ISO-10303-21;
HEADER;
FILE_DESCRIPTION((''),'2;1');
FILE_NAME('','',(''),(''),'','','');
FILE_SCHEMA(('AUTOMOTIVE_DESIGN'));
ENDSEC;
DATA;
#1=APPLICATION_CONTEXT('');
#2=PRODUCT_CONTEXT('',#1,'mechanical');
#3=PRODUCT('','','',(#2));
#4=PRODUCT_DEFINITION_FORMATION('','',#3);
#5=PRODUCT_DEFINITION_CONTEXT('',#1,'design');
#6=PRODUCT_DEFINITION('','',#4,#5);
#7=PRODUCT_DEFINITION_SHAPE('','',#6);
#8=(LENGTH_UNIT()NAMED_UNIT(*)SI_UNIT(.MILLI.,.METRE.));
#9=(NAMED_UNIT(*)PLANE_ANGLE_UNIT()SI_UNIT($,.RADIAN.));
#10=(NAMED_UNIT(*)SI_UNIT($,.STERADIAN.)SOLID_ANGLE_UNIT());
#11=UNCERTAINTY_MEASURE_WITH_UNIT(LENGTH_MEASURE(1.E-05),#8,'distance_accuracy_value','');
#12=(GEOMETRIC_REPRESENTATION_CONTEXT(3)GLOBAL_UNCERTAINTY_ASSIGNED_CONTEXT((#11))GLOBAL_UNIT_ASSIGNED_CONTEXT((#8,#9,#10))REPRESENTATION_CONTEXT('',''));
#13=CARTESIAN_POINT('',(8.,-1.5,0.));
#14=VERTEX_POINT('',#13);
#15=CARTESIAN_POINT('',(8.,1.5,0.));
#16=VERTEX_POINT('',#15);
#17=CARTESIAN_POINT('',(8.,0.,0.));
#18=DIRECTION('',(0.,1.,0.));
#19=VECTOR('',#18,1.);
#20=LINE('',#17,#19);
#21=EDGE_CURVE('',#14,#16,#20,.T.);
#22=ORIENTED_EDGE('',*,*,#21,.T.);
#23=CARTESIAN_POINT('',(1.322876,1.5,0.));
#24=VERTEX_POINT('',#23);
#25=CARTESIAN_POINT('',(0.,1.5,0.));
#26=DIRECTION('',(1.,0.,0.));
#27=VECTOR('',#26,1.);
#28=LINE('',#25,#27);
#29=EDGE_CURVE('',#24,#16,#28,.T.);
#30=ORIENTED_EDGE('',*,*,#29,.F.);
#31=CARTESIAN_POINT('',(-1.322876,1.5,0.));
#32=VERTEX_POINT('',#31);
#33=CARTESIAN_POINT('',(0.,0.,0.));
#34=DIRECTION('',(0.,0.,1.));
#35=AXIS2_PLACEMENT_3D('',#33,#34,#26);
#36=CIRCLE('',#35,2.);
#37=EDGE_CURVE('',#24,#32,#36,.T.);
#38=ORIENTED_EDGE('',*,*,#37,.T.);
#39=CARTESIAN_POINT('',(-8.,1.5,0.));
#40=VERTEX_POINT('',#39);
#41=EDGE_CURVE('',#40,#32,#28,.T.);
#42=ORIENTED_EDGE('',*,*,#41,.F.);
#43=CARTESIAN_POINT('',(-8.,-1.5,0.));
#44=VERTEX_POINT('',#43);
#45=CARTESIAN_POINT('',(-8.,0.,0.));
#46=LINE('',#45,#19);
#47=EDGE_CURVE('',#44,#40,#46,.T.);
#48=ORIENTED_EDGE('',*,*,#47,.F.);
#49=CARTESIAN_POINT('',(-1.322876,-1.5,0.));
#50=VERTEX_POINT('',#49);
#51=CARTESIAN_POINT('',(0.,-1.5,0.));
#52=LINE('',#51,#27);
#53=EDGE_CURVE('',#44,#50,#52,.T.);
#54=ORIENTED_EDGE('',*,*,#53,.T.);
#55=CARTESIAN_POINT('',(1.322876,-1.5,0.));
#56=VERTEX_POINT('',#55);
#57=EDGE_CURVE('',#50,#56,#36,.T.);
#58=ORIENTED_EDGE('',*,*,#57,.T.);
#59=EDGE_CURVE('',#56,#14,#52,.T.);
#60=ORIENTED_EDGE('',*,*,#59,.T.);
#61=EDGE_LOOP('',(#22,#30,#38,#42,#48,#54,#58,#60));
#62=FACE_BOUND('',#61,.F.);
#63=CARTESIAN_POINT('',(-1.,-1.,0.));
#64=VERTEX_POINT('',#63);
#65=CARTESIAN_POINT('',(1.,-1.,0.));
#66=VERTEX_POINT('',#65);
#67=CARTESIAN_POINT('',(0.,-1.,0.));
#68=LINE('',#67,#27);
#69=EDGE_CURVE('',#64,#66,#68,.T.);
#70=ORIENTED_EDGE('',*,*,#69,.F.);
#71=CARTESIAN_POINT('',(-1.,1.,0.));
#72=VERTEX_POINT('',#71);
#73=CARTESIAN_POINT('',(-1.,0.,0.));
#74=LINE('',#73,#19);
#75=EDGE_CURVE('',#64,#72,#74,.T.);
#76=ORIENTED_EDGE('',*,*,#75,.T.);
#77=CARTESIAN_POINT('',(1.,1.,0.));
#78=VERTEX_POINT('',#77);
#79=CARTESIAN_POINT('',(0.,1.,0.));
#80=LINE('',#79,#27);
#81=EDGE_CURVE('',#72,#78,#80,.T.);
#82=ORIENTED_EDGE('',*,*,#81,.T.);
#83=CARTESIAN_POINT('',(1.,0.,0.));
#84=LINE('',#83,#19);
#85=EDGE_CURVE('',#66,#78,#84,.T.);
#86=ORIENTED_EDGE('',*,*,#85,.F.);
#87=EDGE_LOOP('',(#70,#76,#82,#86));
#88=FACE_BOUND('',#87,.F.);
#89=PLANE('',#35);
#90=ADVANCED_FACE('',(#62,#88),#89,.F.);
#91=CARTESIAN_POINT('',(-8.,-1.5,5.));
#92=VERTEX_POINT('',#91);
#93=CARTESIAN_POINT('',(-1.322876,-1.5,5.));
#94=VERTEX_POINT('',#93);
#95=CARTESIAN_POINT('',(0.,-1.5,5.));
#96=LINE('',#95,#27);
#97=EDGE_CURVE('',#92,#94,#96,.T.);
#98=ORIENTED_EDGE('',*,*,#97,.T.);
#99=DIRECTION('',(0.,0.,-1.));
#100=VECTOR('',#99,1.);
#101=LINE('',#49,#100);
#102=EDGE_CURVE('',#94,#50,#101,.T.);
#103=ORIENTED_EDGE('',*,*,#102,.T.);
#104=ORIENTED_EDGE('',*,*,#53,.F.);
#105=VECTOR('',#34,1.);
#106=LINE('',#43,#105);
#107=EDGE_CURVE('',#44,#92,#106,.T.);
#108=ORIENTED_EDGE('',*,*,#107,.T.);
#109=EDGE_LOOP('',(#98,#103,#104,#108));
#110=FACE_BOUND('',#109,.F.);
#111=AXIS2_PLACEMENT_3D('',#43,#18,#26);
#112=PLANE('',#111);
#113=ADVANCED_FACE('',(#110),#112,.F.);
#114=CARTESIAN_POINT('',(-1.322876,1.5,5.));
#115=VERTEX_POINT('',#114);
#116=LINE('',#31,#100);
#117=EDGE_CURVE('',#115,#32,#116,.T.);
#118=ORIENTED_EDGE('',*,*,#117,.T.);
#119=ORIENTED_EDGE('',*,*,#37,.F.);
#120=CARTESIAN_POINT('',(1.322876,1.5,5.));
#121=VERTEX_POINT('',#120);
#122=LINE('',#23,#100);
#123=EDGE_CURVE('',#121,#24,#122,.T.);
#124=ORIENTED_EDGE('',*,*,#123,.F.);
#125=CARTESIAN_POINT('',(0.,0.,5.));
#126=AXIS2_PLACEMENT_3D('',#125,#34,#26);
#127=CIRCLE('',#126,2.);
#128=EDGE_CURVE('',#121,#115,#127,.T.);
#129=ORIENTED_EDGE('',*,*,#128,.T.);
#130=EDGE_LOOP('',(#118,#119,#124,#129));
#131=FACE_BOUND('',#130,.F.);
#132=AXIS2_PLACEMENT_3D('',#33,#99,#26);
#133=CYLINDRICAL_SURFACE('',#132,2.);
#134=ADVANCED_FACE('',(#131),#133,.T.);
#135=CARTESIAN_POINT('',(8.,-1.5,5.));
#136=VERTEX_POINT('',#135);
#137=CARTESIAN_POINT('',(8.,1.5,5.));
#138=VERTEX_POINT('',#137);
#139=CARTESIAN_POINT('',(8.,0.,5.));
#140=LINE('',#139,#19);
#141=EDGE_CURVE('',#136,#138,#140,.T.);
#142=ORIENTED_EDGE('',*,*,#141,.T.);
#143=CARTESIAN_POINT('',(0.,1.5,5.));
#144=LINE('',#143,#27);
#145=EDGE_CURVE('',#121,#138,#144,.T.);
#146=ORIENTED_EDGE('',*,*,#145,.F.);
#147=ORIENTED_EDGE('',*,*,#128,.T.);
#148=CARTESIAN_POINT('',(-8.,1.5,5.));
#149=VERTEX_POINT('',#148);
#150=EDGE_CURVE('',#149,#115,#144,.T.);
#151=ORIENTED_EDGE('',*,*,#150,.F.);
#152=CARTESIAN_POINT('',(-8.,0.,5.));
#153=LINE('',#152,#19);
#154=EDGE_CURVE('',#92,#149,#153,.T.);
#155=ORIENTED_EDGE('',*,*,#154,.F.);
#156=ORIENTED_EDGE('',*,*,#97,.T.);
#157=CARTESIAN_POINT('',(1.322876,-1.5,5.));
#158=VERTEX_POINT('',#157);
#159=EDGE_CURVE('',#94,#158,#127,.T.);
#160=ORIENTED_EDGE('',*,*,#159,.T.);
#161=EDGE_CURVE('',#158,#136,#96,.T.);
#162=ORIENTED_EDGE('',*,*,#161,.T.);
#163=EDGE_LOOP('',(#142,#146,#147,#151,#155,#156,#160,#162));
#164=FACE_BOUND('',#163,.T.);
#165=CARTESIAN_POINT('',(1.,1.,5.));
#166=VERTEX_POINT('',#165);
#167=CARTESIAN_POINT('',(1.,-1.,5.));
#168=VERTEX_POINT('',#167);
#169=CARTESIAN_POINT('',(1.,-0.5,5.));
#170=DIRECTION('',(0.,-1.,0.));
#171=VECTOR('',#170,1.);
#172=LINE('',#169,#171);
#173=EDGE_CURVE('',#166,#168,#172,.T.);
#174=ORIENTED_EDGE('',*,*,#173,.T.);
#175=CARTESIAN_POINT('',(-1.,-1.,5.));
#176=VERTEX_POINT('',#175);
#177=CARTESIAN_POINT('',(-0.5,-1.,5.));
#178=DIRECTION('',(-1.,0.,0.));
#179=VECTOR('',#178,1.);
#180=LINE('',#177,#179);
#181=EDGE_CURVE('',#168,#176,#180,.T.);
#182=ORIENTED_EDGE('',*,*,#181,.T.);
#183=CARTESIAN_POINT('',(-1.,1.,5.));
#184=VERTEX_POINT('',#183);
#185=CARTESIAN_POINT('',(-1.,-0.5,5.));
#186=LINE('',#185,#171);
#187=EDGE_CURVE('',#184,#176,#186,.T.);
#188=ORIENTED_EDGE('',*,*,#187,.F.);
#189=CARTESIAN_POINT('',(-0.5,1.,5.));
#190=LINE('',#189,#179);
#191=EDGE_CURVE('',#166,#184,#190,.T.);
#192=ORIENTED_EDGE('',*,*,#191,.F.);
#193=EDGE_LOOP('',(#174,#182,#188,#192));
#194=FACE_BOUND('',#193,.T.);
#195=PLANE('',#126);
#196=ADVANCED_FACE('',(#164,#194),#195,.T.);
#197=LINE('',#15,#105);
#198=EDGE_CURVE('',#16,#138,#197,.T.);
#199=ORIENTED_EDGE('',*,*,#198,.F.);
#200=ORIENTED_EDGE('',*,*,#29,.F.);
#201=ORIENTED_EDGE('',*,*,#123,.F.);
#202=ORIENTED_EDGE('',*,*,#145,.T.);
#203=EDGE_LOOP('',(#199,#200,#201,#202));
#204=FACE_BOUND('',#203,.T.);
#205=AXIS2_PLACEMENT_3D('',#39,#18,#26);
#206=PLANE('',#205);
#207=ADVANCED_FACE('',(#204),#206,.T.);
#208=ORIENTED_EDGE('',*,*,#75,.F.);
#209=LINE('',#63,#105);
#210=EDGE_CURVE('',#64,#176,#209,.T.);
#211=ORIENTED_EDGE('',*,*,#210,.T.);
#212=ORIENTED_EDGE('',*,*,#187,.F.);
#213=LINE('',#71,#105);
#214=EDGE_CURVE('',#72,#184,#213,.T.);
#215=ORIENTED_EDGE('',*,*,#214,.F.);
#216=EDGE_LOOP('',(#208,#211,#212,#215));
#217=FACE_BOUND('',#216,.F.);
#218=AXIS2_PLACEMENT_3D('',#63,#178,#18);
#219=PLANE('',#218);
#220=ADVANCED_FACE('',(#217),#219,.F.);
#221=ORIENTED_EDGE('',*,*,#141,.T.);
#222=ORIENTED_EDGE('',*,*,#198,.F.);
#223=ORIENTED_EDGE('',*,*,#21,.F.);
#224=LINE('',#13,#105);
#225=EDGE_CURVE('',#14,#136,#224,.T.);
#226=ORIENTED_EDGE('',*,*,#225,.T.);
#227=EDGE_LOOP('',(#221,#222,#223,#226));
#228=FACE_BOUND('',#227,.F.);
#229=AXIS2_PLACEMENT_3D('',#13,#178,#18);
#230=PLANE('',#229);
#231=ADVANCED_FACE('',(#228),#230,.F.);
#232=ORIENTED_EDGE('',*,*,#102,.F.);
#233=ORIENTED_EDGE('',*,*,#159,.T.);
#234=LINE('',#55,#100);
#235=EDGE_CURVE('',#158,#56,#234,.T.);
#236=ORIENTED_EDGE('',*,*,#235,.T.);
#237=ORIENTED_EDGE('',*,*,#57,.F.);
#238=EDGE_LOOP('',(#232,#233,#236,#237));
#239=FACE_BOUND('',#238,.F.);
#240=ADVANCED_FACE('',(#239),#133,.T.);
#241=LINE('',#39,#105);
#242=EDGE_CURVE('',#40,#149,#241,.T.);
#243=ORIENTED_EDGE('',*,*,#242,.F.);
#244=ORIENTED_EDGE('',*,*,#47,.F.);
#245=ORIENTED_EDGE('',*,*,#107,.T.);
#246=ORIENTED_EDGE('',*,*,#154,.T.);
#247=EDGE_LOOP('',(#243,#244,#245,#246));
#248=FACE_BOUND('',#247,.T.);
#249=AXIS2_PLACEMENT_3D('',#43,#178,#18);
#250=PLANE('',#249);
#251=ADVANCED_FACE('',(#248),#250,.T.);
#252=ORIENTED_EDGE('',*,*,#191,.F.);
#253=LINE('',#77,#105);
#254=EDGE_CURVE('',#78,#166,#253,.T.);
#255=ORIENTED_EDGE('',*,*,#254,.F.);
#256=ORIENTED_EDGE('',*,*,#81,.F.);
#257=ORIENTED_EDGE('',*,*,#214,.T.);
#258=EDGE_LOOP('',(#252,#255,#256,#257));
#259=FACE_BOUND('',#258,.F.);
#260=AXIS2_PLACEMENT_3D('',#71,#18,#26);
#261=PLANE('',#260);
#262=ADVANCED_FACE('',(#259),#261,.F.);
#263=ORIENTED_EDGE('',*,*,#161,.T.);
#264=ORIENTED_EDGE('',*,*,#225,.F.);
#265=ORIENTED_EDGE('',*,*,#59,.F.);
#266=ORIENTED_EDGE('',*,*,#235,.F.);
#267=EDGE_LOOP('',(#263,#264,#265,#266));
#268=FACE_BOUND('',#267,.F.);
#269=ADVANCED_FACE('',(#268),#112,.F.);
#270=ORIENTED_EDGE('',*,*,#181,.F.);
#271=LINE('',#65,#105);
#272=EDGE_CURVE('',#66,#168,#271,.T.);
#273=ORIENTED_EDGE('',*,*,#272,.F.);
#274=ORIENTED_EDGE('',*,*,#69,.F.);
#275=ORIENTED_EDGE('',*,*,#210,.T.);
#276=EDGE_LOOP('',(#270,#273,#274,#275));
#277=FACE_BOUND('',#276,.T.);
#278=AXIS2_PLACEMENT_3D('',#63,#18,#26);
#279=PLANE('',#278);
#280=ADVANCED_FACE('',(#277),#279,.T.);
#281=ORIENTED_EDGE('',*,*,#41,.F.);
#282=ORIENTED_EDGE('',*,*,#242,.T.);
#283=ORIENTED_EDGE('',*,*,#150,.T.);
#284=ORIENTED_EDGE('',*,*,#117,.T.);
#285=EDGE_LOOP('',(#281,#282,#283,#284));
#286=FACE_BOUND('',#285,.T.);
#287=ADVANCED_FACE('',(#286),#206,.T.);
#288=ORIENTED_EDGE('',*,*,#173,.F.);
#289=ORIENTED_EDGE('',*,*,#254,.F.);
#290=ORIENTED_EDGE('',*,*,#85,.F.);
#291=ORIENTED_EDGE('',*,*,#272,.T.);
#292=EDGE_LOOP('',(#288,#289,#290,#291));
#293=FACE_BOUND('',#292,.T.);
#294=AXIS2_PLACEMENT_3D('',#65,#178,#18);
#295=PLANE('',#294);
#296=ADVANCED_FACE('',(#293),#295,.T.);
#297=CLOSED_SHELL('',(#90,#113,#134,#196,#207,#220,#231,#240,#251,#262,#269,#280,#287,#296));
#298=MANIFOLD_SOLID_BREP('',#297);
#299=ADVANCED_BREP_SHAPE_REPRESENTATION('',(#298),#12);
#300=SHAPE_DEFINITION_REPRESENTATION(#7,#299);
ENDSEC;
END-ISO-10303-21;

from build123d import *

# Parameters (mm, degrees)
BOX001_W       = 2
BOX001_H       = 2
BOX001_DEPTH   = 10
BOX_W          = 16
BOX_H          = 3
BOX_DEPTH      = 5
CYLINDER_R     = 2
CYLINDER_DEPTH = 5


with BuildPart() as cube001:
    # Box001 → Box001 (new body)
    with BuildSketch(Plane(origin=(-1, -1, 0), x_dir=(1, 0, 0), z_dir=(0, 0, 1))):
        with Locations((1, 1)):
            Rectangle(BOX001_W, BOX001_H)
    extrude(amount=BOX001_DEPTH)


with BuildPart() as cube:
    # Box → Box (new body)
    with BuildSketch(Plane(origin=(-8, -1.5, 0), x_dir=(1, 0, 0), z_dir=(0, 0, 1))):
        with Locations((8, 1.5)):
            Rectangle(BOX_W, BOX_H)
    extrude(amount=BOX_DEPTH)


with BuildPart() as cut:
    # Cylinder → Cylinder (new body)
    with BuildSketch(Plane.XY):
        Circle(CYLINDER_R)
    extrude(amount=CYLINDER_DEPTH)

    # Fusion: union Cube
    add(cube.part)

    # Cut: cut Cube001
    add(cube001.part, mode=Mode.SUBTRACT)


solid = cut.part
